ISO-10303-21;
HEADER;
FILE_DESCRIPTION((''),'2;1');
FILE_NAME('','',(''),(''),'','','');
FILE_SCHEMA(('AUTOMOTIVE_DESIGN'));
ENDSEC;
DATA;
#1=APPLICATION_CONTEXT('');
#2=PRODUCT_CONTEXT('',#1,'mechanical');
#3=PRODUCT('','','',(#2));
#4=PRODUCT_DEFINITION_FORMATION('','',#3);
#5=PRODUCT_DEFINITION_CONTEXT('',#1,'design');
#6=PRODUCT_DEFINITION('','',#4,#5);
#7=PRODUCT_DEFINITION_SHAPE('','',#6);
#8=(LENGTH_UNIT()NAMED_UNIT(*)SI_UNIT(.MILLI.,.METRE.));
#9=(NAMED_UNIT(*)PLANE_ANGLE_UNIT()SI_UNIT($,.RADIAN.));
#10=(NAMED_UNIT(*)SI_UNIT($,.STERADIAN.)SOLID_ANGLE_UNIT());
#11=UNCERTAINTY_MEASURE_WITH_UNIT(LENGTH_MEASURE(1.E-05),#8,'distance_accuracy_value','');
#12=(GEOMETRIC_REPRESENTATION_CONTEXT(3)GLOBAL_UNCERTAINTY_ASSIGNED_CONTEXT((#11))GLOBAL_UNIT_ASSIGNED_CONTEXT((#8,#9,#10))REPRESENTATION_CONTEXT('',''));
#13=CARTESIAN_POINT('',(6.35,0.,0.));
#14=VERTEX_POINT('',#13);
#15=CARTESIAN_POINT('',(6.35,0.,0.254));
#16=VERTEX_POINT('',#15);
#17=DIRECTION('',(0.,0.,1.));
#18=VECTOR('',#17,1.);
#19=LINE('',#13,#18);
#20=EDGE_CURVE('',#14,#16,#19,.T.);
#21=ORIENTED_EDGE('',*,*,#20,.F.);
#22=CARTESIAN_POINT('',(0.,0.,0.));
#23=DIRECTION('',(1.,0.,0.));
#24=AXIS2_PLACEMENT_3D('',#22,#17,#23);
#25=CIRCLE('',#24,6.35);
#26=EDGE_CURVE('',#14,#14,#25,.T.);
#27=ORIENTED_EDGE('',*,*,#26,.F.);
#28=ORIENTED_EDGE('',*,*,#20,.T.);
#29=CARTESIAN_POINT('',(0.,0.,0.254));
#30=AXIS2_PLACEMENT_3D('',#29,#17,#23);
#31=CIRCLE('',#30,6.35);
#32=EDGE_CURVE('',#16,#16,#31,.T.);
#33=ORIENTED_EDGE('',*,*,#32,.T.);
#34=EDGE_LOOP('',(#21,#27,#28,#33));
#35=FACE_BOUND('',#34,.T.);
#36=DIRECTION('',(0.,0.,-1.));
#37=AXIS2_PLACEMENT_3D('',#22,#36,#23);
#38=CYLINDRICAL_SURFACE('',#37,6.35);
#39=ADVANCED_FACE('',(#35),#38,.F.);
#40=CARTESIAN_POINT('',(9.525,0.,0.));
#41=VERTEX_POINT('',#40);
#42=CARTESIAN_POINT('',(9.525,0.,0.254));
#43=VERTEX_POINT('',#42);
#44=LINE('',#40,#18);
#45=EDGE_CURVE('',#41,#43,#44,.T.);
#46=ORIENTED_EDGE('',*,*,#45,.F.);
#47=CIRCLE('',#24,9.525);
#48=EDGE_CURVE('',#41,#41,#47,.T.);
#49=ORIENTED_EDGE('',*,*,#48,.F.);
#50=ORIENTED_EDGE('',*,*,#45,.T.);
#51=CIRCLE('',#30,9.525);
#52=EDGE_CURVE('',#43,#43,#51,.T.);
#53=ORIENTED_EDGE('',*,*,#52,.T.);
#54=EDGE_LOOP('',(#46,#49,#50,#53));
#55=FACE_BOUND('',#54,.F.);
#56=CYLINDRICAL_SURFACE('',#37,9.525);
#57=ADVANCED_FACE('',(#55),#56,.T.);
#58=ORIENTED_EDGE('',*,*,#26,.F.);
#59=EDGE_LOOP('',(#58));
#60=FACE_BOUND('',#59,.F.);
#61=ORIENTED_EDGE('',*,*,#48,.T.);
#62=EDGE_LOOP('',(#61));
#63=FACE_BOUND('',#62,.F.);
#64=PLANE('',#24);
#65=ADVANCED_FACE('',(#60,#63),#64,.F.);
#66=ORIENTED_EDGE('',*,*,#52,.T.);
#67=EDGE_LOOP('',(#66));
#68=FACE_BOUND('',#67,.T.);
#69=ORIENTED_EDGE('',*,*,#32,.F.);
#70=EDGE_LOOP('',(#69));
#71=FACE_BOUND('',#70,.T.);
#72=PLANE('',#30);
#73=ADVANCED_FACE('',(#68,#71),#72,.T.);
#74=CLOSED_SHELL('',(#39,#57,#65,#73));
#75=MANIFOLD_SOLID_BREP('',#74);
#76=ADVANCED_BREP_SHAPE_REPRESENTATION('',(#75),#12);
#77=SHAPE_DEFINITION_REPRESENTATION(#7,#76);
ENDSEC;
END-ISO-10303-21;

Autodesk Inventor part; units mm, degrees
ref_plane "YZ Plane" through (0, 0, 0) normal (1, 0, 0) x (0, 1, 0)
ref_plane "XZ Plane" through (0, 0, 0) normal (0, 1, 0) x (-1, 0, 0)
ref_plane "XY Plane" through (0, 0, 0) normal (0, 0, 1) x (1, 0, 0)
sketch "Sketch1" plane through (0, 0, 0) normal (0, 0, 1) x (1, 0, 0)
  circle A0 centre (0, 0) radius 6.35
  circle A1 centre (0, 0) radius 9.525
  dimension "d0" = 12.7
  dimension "d2" = 19.05
extrude "Extrusion1" add sketch "Sketch1" along normal blind 0.254
properties part number "Shim 10 thou"
